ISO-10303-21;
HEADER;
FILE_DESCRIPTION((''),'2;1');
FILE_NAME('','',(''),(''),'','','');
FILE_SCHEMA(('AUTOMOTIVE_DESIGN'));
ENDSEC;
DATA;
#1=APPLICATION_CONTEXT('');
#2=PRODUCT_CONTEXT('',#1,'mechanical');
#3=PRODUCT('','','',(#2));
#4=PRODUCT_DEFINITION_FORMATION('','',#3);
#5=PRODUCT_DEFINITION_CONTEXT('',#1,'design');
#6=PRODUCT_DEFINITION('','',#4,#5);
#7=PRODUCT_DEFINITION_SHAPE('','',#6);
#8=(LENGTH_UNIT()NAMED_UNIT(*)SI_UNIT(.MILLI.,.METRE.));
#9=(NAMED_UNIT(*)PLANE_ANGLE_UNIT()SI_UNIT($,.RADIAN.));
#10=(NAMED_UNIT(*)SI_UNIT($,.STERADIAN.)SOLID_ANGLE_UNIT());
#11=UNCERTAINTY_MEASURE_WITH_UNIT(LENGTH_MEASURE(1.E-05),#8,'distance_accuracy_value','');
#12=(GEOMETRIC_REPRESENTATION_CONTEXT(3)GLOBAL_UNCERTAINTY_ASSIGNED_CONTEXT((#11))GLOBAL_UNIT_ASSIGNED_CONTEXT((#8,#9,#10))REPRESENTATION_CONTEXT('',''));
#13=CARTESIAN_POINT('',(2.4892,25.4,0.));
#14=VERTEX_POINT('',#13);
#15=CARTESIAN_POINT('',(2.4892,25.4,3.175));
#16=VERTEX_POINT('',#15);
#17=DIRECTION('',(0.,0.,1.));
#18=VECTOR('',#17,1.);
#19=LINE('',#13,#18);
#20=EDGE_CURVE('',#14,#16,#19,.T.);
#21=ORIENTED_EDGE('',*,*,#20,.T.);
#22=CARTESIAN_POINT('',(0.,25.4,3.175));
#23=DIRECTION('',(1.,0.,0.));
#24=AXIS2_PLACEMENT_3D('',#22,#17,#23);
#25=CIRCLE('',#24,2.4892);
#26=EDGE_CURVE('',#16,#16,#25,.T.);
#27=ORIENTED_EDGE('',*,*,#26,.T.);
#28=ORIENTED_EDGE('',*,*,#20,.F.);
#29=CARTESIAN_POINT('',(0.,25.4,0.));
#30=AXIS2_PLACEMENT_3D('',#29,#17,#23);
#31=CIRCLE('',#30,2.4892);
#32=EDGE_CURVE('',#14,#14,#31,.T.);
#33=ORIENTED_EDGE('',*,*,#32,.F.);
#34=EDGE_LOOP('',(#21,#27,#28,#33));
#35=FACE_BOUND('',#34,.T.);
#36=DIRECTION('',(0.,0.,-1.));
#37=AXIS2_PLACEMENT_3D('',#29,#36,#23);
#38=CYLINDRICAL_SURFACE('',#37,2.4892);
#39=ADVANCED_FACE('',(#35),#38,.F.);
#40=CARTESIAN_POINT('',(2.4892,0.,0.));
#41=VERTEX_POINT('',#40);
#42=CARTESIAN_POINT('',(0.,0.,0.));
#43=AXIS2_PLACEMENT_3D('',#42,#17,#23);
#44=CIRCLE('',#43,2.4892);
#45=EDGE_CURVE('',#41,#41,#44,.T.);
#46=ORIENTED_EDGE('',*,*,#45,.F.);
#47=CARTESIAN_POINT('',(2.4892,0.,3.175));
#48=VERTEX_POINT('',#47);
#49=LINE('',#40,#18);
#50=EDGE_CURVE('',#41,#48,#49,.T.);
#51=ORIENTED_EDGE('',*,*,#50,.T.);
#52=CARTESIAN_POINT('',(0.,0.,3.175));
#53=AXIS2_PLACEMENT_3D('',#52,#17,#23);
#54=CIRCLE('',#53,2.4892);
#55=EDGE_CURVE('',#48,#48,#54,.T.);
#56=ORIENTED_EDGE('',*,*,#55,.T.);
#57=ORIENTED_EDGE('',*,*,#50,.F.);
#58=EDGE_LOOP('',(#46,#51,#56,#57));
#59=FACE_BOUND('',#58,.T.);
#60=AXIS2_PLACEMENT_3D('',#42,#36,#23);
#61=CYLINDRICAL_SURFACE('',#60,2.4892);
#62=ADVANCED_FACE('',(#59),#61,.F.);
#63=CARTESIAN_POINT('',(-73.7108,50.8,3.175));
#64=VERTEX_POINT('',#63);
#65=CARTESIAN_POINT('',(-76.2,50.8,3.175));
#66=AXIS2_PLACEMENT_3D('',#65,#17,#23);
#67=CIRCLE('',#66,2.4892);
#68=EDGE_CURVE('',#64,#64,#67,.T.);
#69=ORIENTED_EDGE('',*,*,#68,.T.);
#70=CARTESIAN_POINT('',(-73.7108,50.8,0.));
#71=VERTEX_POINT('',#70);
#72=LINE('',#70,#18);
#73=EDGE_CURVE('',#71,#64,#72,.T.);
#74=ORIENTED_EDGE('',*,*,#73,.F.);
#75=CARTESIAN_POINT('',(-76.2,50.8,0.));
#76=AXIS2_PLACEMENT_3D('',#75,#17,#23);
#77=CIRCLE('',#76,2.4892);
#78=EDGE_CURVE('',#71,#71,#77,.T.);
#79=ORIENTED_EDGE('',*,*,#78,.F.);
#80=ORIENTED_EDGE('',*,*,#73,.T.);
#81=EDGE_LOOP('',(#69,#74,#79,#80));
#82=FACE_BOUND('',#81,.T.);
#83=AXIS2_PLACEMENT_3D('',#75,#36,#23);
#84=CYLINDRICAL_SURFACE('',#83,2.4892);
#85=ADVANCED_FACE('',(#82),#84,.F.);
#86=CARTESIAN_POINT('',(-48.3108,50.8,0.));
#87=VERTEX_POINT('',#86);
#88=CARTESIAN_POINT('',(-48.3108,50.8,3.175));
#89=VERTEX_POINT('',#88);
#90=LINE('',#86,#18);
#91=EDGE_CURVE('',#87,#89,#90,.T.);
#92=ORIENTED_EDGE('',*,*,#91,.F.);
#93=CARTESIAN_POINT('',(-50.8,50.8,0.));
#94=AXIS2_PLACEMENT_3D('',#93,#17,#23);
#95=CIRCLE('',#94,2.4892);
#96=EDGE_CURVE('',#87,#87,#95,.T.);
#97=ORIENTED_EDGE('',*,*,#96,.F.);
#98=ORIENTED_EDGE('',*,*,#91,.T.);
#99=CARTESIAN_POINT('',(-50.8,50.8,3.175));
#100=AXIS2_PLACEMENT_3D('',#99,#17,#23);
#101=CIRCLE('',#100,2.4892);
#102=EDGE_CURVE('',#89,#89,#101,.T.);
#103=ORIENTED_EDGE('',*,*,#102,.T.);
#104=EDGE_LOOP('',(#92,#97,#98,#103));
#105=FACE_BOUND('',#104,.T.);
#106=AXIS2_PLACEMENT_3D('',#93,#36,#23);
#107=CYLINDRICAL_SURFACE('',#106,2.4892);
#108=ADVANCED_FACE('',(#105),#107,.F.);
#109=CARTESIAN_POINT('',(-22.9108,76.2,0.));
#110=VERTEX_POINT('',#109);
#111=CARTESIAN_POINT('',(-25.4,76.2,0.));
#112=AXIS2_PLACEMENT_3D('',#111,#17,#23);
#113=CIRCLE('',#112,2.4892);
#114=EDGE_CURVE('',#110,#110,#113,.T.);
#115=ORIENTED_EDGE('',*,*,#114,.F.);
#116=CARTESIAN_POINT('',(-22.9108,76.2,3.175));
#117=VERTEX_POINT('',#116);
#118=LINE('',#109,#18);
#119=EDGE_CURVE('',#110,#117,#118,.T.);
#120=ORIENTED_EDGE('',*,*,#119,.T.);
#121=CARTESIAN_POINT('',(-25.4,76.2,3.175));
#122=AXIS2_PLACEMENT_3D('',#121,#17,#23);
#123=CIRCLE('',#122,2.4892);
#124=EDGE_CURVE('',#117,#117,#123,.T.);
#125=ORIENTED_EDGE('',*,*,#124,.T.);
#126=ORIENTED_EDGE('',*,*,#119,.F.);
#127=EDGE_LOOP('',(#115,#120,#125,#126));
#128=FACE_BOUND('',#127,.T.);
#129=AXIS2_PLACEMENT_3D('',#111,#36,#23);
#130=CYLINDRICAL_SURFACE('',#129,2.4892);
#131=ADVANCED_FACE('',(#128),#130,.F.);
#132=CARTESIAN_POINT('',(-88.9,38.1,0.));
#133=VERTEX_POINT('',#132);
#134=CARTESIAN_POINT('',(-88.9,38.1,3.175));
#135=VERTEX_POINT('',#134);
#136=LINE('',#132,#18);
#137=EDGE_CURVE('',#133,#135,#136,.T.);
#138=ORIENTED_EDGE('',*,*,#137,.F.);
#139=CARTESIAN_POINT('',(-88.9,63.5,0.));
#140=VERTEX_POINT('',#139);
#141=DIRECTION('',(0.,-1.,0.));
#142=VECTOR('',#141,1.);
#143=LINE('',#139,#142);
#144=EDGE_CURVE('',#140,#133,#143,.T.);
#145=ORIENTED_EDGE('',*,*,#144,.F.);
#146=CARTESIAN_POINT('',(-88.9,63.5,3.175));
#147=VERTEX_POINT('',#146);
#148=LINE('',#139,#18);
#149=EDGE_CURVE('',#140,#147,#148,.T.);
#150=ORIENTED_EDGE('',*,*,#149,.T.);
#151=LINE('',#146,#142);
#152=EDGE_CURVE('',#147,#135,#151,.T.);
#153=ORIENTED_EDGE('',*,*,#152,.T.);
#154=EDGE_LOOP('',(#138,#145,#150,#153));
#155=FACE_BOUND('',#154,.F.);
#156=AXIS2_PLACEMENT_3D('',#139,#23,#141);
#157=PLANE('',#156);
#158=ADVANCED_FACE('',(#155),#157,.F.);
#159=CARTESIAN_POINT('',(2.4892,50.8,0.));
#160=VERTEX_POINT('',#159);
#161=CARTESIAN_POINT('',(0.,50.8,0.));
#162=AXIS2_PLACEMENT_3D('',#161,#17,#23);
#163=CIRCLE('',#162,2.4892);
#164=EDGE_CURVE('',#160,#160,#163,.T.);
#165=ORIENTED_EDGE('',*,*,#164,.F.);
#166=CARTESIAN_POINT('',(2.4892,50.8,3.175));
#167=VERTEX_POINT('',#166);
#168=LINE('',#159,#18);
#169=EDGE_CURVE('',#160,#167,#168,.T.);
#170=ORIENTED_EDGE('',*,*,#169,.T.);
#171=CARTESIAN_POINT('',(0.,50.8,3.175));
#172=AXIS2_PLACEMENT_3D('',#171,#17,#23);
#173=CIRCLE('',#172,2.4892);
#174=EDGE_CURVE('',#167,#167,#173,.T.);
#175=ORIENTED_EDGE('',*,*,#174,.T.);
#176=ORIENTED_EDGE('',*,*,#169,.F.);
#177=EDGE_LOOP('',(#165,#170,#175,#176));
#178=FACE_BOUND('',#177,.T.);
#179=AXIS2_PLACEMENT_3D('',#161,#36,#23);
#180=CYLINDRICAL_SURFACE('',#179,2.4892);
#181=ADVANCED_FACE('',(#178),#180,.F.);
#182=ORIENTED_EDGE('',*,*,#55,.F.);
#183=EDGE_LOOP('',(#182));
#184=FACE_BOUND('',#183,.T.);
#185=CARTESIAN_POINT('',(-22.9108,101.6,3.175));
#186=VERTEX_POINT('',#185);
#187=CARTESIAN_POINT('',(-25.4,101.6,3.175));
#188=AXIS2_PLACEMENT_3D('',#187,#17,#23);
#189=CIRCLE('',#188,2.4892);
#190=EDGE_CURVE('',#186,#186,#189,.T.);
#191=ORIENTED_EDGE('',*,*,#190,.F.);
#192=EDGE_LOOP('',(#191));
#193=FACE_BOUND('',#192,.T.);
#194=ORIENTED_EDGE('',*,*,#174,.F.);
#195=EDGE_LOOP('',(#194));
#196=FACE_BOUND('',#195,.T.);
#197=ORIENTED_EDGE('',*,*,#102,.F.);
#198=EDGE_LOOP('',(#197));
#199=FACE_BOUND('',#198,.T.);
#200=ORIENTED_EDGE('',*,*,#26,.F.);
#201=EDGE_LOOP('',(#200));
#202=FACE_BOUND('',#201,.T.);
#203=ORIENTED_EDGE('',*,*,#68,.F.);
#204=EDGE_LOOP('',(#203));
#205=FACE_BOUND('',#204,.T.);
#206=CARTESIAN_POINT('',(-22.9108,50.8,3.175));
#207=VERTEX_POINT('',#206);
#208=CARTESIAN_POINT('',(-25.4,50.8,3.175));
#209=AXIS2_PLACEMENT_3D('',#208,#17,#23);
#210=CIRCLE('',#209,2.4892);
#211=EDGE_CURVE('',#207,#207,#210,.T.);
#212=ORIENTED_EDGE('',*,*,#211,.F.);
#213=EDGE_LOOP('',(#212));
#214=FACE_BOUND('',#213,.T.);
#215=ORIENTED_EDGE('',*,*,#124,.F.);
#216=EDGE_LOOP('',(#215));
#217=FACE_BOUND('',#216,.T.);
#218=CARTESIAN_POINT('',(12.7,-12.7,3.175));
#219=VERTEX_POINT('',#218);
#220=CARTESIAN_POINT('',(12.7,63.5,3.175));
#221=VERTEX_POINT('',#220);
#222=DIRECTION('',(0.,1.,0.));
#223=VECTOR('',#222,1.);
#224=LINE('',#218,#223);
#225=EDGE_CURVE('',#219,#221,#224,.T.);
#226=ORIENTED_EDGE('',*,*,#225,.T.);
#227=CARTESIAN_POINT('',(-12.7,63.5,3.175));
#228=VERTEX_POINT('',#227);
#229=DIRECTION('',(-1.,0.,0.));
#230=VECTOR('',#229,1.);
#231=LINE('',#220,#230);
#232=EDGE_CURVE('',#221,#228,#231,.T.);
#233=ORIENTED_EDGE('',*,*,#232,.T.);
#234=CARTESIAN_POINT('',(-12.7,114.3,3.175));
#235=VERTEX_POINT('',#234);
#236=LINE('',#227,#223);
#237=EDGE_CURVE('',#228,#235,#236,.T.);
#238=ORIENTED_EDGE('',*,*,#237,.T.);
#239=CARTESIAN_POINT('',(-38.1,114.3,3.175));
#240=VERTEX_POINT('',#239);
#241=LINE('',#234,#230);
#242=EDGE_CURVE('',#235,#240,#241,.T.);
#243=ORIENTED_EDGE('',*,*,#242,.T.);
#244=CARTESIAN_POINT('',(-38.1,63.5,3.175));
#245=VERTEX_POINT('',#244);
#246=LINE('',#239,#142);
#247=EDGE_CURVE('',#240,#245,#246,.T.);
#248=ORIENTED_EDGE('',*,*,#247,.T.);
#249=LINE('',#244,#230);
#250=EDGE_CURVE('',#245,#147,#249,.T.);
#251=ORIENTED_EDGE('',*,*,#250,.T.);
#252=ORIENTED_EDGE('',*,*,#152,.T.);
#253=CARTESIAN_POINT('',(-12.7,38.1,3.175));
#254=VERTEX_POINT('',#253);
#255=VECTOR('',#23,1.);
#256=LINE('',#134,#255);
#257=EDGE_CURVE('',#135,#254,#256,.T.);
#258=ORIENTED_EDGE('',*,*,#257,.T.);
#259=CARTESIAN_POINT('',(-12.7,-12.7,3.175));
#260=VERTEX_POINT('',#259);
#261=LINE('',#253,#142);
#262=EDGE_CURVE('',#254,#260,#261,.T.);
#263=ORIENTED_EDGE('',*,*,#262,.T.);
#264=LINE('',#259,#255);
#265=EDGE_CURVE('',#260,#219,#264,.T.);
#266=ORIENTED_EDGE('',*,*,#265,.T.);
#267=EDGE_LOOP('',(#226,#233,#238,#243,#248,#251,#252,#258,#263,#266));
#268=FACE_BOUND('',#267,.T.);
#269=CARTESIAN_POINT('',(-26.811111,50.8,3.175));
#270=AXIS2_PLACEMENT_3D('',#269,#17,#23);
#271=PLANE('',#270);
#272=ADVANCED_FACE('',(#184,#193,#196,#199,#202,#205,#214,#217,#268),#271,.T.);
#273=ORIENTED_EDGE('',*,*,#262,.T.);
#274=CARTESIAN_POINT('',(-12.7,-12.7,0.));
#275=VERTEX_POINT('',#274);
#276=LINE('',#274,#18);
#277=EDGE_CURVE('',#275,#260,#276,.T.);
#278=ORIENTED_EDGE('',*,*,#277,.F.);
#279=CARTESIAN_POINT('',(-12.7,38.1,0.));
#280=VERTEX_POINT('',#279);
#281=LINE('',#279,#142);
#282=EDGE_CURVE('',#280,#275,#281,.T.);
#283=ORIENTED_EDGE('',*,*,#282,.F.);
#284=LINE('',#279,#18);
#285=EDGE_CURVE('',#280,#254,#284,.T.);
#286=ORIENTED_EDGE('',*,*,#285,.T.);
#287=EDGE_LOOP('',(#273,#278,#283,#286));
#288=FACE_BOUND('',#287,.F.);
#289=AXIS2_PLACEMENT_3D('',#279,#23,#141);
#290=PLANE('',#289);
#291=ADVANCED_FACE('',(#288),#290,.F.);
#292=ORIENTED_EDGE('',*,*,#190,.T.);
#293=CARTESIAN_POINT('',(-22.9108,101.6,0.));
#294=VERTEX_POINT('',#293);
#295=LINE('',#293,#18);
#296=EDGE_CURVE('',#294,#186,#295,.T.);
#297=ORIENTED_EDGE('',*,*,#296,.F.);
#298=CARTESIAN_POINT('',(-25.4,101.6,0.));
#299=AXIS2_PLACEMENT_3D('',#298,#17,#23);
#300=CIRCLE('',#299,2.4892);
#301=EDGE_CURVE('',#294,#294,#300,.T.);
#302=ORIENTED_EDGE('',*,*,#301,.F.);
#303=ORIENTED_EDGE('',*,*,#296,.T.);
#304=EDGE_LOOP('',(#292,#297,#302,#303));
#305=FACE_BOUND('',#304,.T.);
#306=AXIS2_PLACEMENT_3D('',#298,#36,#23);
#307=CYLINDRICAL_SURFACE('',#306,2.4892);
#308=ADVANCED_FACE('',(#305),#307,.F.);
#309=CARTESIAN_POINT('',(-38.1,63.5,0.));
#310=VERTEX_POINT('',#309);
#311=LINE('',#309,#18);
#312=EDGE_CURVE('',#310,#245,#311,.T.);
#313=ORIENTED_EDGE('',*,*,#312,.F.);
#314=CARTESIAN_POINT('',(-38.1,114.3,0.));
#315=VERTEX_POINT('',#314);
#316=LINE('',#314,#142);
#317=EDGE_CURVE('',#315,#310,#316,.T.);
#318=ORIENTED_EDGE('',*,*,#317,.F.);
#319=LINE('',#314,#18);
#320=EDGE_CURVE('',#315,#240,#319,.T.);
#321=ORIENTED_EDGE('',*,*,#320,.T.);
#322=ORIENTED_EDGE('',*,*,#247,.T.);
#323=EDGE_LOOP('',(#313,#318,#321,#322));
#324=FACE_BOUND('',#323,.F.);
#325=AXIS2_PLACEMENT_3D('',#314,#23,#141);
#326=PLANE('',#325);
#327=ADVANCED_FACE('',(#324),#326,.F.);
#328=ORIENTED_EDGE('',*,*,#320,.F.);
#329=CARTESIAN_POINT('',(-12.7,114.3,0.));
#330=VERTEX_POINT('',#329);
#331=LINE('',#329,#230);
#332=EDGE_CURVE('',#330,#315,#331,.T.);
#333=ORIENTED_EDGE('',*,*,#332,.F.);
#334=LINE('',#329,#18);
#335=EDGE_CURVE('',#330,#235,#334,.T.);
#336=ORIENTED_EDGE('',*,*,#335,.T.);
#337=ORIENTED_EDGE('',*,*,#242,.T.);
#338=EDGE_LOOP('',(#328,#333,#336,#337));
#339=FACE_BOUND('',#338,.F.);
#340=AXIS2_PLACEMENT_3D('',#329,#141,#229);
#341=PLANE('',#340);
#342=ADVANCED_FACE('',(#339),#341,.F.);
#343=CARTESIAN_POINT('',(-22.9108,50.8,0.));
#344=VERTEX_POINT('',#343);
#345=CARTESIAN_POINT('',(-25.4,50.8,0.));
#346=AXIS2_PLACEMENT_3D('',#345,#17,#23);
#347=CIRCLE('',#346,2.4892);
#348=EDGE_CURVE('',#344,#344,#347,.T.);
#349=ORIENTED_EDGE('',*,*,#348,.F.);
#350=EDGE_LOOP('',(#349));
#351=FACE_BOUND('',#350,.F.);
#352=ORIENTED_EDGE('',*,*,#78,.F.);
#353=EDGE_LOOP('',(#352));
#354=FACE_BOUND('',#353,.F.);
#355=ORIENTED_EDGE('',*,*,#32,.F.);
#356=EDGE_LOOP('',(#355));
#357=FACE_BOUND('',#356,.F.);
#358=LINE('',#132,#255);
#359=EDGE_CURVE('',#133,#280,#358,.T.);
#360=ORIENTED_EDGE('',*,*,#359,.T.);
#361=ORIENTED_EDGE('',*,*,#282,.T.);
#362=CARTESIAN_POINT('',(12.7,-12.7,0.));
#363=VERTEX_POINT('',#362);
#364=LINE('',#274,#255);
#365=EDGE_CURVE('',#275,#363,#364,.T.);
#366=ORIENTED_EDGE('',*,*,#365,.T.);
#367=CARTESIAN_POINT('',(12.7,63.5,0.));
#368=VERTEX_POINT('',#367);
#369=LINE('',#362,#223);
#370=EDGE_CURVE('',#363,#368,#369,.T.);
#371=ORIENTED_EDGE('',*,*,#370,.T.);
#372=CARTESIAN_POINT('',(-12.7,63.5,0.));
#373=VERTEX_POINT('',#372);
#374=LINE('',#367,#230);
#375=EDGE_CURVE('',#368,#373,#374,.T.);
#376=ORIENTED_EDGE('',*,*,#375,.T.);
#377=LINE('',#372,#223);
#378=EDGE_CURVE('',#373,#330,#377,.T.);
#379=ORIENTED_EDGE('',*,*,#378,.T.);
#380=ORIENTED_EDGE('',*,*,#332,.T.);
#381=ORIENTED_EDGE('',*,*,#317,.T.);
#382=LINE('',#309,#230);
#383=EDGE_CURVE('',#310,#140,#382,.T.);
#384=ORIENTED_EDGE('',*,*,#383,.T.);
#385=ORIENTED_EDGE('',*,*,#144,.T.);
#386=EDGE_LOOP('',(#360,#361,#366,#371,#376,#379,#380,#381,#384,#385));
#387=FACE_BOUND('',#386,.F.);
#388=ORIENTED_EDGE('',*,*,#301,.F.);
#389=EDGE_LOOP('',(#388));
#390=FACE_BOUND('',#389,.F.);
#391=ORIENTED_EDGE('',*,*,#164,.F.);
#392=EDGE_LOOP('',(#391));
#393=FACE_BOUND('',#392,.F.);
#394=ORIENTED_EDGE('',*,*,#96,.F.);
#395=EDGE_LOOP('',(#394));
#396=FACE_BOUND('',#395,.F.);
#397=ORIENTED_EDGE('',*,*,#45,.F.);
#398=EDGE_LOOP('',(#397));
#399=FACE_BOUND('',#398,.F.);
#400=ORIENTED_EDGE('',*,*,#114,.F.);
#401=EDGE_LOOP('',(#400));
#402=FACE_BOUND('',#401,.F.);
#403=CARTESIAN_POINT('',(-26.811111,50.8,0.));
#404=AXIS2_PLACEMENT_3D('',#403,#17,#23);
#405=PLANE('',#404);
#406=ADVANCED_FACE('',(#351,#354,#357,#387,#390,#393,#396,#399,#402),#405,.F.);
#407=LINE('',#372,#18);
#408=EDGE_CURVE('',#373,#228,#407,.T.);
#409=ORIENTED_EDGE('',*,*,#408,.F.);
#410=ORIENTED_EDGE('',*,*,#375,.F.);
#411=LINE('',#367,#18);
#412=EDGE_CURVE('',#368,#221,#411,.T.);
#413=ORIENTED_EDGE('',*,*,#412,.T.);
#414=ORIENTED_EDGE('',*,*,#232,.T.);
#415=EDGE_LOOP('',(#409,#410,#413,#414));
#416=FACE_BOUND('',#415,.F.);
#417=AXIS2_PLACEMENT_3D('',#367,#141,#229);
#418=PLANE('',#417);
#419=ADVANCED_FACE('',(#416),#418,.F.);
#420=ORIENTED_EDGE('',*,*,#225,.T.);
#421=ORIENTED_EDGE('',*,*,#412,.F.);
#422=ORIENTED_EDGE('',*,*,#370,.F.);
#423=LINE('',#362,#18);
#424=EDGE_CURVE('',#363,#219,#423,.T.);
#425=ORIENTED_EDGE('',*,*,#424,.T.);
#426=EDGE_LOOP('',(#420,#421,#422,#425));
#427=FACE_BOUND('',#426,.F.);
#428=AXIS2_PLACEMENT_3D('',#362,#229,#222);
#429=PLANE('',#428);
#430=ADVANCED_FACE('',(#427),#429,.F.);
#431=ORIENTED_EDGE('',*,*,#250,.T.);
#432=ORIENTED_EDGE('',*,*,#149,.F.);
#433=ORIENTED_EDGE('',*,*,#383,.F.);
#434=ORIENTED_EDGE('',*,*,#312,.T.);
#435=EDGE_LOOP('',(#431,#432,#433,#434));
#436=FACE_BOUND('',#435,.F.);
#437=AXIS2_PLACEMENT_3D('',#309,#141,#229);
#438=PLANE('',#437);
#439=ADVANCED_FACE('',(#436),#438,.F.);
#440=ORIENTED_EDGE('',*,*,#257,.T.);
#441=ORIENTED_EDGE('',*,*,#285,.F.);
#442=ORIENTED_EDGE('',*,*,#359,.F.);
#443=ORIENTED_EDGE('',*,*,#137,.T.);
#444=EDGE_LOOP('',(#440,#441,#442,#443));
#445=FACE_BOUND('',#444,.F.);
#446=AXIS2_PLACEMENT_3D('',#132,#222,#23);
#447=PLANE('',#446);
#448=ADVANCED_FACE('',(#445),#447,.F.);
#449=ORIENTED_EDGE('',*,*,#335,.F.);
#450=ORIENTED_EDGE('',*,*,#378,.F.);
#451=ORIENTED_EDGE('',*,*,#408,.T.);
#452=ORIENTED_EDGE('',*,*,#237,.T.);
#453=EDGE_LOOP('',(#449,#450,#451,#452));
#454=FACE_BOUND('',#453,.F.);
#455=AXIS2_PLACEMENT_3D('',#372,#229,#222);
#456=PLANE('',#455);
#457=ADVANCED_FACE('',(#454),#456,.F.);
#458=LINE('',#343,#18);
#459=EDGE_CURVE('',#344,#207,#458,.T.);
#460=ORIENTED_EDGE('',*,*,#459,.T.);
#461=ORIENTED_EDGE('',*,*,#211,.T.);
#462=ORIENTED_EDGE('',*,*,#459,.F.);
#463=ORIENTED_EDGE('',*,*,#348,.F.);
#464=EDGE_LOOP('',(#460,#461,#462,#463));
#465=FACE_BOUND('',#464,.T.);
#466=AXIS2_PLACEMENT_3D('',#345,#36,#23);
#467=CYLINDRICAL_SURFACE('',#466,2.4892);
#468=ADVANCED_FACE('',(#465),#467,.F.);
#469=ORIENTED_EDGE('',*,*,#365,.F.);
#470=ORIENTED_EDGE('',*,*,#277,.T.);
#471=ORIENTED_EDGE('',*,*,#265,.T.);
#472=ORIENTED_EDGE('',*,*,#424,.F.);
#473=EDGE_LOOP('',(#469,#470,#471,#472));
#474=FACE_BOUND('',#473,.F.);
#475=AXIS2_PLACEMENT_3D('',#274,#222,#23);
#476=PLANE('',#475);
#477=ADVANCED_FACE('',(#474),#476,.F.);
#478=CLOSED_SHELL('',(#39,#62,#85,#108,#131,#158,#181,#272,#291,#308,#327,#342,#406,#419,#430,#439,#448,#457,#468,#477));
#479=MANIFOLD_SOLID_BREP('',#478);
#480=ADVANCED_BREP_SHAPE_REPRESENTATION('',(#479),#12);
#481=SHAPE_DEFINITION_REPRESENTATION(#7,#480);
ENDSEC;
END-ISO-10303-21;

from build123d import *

# Parameters (mm, degrees)
F0_R     = 2.4892
F1_DEPTH = 3.175


with BuildPart() as f1:
    # F0 (on Top) → F1 (new body)
    with BuildSketch(Plane.XY):
        Polygon((-88.9, 63.5), (-88.9, 38.1), (-12.7, 38.1), (-12.7, -12.7), (12.7, -12.7), (12.7, 63.5), (-12.7, 63.5), (-12.7, 114.3), (-38.1, 114.3), (-38.1, 63.5), align=None)
        Circle(F0_R, mode=Mode.SUBTRACT)
        with Locations((0, 25.4)):
            Circle(F0_R, mode=Mode.SUBTRACT)
        with Locations((-76.2, 50.8)):
            Circle(F0_R, mode=Mode.SUBTRACT)
        with Locations((-50.8, 50.8)):
            Circle(F0_R, mode=Mode.SUBTRACT)
        with Locations((-25.4, 50.8)):
            Circle(F0_R, mode=Mode.SUBTRACT)
        with Locations((-25.4, 76.2)):
            Circle(F0_R, mode=Mode.SUBTRACT)
        with Locations((0, 50.8)):
            Circle(F0_R, mode=Mode.SUBTRACT)
        with Locations((-25.4, 101.6)):
            Circle(F0_R, mode=Mode.SUBTRACT)
    extrude(amount=F1_DEPTH)


solid = f1.part
